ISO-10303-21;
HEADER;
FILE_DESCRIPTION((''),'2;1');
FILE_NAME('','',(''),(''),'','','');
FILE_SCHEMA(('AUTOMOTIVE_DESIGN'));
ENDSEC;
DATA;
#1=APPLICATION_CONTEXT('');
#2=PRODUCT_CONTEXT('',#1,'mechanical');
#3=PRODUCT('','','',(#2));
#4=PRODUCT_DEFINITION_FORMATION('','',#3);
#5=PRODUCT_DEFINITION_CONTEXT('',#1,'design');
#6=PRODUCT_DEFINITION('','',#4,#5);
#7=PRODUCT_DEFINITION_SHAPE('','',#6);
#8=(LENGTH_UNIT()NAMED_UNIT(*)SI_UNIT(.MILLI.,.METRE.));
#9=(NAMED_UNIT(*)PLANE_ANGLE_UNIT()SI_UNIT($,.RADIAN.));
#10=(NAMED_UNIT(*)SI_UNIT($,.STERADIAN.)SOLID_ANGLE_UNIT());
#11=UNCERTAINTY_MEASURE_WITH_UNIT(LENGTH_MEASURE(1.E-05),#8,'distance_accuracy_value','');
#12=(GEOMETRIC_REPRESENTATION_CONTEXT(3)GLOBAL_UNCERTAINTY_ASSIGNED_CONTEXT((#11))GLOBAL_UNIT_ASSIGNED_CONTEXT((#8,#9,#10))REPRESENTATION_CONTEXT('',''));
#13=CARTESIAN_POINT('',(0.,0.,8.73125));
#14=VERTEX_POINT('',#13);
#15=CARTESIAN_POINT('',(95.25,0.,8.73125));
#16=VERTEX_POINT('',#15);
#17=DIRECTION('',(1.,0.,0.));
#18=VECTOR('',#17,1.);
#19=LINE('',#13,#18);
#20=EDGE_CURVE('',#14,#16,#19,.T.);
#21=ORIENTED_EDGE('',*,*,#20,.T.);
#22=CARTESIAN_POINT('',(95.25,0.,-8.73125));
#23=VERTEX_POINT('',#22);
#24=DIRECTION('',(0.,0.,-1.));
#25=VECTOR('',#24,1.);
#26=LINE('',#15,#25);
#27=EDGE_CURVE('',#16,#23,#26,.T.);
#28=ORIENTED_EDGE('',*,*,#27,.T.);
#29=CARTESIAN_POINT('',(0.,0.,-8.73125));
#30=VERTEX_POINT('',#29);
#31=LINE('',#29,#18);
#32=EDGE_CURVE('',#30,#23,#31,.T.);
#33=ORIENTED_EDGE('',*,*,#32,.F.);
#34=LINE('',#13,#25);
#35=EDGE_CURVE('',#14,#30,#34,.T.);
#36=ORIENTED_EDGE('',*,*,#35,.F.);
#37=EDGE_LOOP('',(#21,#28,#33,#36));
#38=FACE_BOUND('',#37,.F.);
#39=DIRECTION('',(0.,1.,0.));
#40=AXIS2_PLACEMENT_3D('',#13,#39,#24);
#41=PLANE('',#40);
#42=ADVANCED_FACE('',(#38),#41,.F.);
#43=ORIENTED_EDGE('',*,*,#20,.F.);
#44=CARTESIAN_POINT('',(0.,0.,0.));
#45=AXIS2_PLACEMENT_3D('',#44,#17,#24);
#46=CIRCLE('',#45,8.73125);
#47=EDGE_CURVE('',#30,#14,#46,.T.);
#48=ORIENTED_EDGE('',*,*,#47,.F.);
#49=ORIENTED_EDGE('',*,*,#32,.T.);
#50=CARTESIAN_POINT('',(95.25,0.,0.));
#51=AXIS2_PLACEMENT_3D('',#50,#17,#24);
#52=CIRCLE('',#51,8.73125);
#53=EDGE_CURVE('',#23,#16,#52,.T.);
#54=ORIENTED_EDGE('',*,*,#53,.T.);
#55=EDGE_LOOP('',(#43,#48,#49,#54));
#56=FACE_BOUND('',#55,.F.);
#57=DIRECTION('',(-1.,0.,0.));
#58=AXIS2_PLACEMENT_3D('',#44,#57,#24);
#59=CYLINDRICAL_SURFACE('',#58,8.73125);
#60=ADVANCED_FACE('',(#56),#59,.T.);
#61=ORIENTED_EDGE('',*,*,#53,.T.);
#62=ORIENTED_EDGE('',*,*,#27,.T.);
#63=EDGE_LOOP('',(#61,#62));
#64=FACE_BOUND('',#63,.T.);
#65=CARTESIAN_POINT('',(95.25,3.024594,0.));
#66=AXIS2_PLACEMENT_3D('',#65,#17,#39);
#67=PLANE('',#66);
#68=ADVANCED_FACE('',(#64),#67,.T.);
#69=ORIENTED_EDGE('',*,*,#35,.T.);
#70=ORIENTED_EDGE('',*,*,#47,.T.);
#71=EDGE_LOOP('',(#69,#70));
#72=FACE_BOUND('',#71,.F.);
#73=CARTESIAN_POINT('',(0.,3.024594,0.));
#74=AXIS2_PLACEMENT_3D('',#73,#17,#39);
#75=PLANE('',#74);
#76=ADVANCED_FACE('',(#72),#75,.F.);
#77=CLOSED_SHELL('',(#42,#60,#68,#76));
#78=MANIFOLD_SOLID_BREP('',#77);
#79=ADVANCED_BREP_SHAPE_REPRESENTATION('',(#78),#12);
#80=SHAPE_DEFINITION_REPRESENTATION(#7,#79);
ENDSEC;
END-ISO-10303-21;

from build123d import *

# Parameters (mm, degrees)
F1_DEPTH = 95.25


with BuildPart() as f1:
    # F0 (on Right) → F1 (new body)
    with BuildSketch(Plane.YZ):
        with BuildLine():
            Line((0, 8.73125), (0, -8.73125))
            ThreePointArc((0, -8.73125), (8.73125, 0), (0, 8.73125))
        make_face()
    extrude(amount=F1_DEPTH)


solid = f1.part
